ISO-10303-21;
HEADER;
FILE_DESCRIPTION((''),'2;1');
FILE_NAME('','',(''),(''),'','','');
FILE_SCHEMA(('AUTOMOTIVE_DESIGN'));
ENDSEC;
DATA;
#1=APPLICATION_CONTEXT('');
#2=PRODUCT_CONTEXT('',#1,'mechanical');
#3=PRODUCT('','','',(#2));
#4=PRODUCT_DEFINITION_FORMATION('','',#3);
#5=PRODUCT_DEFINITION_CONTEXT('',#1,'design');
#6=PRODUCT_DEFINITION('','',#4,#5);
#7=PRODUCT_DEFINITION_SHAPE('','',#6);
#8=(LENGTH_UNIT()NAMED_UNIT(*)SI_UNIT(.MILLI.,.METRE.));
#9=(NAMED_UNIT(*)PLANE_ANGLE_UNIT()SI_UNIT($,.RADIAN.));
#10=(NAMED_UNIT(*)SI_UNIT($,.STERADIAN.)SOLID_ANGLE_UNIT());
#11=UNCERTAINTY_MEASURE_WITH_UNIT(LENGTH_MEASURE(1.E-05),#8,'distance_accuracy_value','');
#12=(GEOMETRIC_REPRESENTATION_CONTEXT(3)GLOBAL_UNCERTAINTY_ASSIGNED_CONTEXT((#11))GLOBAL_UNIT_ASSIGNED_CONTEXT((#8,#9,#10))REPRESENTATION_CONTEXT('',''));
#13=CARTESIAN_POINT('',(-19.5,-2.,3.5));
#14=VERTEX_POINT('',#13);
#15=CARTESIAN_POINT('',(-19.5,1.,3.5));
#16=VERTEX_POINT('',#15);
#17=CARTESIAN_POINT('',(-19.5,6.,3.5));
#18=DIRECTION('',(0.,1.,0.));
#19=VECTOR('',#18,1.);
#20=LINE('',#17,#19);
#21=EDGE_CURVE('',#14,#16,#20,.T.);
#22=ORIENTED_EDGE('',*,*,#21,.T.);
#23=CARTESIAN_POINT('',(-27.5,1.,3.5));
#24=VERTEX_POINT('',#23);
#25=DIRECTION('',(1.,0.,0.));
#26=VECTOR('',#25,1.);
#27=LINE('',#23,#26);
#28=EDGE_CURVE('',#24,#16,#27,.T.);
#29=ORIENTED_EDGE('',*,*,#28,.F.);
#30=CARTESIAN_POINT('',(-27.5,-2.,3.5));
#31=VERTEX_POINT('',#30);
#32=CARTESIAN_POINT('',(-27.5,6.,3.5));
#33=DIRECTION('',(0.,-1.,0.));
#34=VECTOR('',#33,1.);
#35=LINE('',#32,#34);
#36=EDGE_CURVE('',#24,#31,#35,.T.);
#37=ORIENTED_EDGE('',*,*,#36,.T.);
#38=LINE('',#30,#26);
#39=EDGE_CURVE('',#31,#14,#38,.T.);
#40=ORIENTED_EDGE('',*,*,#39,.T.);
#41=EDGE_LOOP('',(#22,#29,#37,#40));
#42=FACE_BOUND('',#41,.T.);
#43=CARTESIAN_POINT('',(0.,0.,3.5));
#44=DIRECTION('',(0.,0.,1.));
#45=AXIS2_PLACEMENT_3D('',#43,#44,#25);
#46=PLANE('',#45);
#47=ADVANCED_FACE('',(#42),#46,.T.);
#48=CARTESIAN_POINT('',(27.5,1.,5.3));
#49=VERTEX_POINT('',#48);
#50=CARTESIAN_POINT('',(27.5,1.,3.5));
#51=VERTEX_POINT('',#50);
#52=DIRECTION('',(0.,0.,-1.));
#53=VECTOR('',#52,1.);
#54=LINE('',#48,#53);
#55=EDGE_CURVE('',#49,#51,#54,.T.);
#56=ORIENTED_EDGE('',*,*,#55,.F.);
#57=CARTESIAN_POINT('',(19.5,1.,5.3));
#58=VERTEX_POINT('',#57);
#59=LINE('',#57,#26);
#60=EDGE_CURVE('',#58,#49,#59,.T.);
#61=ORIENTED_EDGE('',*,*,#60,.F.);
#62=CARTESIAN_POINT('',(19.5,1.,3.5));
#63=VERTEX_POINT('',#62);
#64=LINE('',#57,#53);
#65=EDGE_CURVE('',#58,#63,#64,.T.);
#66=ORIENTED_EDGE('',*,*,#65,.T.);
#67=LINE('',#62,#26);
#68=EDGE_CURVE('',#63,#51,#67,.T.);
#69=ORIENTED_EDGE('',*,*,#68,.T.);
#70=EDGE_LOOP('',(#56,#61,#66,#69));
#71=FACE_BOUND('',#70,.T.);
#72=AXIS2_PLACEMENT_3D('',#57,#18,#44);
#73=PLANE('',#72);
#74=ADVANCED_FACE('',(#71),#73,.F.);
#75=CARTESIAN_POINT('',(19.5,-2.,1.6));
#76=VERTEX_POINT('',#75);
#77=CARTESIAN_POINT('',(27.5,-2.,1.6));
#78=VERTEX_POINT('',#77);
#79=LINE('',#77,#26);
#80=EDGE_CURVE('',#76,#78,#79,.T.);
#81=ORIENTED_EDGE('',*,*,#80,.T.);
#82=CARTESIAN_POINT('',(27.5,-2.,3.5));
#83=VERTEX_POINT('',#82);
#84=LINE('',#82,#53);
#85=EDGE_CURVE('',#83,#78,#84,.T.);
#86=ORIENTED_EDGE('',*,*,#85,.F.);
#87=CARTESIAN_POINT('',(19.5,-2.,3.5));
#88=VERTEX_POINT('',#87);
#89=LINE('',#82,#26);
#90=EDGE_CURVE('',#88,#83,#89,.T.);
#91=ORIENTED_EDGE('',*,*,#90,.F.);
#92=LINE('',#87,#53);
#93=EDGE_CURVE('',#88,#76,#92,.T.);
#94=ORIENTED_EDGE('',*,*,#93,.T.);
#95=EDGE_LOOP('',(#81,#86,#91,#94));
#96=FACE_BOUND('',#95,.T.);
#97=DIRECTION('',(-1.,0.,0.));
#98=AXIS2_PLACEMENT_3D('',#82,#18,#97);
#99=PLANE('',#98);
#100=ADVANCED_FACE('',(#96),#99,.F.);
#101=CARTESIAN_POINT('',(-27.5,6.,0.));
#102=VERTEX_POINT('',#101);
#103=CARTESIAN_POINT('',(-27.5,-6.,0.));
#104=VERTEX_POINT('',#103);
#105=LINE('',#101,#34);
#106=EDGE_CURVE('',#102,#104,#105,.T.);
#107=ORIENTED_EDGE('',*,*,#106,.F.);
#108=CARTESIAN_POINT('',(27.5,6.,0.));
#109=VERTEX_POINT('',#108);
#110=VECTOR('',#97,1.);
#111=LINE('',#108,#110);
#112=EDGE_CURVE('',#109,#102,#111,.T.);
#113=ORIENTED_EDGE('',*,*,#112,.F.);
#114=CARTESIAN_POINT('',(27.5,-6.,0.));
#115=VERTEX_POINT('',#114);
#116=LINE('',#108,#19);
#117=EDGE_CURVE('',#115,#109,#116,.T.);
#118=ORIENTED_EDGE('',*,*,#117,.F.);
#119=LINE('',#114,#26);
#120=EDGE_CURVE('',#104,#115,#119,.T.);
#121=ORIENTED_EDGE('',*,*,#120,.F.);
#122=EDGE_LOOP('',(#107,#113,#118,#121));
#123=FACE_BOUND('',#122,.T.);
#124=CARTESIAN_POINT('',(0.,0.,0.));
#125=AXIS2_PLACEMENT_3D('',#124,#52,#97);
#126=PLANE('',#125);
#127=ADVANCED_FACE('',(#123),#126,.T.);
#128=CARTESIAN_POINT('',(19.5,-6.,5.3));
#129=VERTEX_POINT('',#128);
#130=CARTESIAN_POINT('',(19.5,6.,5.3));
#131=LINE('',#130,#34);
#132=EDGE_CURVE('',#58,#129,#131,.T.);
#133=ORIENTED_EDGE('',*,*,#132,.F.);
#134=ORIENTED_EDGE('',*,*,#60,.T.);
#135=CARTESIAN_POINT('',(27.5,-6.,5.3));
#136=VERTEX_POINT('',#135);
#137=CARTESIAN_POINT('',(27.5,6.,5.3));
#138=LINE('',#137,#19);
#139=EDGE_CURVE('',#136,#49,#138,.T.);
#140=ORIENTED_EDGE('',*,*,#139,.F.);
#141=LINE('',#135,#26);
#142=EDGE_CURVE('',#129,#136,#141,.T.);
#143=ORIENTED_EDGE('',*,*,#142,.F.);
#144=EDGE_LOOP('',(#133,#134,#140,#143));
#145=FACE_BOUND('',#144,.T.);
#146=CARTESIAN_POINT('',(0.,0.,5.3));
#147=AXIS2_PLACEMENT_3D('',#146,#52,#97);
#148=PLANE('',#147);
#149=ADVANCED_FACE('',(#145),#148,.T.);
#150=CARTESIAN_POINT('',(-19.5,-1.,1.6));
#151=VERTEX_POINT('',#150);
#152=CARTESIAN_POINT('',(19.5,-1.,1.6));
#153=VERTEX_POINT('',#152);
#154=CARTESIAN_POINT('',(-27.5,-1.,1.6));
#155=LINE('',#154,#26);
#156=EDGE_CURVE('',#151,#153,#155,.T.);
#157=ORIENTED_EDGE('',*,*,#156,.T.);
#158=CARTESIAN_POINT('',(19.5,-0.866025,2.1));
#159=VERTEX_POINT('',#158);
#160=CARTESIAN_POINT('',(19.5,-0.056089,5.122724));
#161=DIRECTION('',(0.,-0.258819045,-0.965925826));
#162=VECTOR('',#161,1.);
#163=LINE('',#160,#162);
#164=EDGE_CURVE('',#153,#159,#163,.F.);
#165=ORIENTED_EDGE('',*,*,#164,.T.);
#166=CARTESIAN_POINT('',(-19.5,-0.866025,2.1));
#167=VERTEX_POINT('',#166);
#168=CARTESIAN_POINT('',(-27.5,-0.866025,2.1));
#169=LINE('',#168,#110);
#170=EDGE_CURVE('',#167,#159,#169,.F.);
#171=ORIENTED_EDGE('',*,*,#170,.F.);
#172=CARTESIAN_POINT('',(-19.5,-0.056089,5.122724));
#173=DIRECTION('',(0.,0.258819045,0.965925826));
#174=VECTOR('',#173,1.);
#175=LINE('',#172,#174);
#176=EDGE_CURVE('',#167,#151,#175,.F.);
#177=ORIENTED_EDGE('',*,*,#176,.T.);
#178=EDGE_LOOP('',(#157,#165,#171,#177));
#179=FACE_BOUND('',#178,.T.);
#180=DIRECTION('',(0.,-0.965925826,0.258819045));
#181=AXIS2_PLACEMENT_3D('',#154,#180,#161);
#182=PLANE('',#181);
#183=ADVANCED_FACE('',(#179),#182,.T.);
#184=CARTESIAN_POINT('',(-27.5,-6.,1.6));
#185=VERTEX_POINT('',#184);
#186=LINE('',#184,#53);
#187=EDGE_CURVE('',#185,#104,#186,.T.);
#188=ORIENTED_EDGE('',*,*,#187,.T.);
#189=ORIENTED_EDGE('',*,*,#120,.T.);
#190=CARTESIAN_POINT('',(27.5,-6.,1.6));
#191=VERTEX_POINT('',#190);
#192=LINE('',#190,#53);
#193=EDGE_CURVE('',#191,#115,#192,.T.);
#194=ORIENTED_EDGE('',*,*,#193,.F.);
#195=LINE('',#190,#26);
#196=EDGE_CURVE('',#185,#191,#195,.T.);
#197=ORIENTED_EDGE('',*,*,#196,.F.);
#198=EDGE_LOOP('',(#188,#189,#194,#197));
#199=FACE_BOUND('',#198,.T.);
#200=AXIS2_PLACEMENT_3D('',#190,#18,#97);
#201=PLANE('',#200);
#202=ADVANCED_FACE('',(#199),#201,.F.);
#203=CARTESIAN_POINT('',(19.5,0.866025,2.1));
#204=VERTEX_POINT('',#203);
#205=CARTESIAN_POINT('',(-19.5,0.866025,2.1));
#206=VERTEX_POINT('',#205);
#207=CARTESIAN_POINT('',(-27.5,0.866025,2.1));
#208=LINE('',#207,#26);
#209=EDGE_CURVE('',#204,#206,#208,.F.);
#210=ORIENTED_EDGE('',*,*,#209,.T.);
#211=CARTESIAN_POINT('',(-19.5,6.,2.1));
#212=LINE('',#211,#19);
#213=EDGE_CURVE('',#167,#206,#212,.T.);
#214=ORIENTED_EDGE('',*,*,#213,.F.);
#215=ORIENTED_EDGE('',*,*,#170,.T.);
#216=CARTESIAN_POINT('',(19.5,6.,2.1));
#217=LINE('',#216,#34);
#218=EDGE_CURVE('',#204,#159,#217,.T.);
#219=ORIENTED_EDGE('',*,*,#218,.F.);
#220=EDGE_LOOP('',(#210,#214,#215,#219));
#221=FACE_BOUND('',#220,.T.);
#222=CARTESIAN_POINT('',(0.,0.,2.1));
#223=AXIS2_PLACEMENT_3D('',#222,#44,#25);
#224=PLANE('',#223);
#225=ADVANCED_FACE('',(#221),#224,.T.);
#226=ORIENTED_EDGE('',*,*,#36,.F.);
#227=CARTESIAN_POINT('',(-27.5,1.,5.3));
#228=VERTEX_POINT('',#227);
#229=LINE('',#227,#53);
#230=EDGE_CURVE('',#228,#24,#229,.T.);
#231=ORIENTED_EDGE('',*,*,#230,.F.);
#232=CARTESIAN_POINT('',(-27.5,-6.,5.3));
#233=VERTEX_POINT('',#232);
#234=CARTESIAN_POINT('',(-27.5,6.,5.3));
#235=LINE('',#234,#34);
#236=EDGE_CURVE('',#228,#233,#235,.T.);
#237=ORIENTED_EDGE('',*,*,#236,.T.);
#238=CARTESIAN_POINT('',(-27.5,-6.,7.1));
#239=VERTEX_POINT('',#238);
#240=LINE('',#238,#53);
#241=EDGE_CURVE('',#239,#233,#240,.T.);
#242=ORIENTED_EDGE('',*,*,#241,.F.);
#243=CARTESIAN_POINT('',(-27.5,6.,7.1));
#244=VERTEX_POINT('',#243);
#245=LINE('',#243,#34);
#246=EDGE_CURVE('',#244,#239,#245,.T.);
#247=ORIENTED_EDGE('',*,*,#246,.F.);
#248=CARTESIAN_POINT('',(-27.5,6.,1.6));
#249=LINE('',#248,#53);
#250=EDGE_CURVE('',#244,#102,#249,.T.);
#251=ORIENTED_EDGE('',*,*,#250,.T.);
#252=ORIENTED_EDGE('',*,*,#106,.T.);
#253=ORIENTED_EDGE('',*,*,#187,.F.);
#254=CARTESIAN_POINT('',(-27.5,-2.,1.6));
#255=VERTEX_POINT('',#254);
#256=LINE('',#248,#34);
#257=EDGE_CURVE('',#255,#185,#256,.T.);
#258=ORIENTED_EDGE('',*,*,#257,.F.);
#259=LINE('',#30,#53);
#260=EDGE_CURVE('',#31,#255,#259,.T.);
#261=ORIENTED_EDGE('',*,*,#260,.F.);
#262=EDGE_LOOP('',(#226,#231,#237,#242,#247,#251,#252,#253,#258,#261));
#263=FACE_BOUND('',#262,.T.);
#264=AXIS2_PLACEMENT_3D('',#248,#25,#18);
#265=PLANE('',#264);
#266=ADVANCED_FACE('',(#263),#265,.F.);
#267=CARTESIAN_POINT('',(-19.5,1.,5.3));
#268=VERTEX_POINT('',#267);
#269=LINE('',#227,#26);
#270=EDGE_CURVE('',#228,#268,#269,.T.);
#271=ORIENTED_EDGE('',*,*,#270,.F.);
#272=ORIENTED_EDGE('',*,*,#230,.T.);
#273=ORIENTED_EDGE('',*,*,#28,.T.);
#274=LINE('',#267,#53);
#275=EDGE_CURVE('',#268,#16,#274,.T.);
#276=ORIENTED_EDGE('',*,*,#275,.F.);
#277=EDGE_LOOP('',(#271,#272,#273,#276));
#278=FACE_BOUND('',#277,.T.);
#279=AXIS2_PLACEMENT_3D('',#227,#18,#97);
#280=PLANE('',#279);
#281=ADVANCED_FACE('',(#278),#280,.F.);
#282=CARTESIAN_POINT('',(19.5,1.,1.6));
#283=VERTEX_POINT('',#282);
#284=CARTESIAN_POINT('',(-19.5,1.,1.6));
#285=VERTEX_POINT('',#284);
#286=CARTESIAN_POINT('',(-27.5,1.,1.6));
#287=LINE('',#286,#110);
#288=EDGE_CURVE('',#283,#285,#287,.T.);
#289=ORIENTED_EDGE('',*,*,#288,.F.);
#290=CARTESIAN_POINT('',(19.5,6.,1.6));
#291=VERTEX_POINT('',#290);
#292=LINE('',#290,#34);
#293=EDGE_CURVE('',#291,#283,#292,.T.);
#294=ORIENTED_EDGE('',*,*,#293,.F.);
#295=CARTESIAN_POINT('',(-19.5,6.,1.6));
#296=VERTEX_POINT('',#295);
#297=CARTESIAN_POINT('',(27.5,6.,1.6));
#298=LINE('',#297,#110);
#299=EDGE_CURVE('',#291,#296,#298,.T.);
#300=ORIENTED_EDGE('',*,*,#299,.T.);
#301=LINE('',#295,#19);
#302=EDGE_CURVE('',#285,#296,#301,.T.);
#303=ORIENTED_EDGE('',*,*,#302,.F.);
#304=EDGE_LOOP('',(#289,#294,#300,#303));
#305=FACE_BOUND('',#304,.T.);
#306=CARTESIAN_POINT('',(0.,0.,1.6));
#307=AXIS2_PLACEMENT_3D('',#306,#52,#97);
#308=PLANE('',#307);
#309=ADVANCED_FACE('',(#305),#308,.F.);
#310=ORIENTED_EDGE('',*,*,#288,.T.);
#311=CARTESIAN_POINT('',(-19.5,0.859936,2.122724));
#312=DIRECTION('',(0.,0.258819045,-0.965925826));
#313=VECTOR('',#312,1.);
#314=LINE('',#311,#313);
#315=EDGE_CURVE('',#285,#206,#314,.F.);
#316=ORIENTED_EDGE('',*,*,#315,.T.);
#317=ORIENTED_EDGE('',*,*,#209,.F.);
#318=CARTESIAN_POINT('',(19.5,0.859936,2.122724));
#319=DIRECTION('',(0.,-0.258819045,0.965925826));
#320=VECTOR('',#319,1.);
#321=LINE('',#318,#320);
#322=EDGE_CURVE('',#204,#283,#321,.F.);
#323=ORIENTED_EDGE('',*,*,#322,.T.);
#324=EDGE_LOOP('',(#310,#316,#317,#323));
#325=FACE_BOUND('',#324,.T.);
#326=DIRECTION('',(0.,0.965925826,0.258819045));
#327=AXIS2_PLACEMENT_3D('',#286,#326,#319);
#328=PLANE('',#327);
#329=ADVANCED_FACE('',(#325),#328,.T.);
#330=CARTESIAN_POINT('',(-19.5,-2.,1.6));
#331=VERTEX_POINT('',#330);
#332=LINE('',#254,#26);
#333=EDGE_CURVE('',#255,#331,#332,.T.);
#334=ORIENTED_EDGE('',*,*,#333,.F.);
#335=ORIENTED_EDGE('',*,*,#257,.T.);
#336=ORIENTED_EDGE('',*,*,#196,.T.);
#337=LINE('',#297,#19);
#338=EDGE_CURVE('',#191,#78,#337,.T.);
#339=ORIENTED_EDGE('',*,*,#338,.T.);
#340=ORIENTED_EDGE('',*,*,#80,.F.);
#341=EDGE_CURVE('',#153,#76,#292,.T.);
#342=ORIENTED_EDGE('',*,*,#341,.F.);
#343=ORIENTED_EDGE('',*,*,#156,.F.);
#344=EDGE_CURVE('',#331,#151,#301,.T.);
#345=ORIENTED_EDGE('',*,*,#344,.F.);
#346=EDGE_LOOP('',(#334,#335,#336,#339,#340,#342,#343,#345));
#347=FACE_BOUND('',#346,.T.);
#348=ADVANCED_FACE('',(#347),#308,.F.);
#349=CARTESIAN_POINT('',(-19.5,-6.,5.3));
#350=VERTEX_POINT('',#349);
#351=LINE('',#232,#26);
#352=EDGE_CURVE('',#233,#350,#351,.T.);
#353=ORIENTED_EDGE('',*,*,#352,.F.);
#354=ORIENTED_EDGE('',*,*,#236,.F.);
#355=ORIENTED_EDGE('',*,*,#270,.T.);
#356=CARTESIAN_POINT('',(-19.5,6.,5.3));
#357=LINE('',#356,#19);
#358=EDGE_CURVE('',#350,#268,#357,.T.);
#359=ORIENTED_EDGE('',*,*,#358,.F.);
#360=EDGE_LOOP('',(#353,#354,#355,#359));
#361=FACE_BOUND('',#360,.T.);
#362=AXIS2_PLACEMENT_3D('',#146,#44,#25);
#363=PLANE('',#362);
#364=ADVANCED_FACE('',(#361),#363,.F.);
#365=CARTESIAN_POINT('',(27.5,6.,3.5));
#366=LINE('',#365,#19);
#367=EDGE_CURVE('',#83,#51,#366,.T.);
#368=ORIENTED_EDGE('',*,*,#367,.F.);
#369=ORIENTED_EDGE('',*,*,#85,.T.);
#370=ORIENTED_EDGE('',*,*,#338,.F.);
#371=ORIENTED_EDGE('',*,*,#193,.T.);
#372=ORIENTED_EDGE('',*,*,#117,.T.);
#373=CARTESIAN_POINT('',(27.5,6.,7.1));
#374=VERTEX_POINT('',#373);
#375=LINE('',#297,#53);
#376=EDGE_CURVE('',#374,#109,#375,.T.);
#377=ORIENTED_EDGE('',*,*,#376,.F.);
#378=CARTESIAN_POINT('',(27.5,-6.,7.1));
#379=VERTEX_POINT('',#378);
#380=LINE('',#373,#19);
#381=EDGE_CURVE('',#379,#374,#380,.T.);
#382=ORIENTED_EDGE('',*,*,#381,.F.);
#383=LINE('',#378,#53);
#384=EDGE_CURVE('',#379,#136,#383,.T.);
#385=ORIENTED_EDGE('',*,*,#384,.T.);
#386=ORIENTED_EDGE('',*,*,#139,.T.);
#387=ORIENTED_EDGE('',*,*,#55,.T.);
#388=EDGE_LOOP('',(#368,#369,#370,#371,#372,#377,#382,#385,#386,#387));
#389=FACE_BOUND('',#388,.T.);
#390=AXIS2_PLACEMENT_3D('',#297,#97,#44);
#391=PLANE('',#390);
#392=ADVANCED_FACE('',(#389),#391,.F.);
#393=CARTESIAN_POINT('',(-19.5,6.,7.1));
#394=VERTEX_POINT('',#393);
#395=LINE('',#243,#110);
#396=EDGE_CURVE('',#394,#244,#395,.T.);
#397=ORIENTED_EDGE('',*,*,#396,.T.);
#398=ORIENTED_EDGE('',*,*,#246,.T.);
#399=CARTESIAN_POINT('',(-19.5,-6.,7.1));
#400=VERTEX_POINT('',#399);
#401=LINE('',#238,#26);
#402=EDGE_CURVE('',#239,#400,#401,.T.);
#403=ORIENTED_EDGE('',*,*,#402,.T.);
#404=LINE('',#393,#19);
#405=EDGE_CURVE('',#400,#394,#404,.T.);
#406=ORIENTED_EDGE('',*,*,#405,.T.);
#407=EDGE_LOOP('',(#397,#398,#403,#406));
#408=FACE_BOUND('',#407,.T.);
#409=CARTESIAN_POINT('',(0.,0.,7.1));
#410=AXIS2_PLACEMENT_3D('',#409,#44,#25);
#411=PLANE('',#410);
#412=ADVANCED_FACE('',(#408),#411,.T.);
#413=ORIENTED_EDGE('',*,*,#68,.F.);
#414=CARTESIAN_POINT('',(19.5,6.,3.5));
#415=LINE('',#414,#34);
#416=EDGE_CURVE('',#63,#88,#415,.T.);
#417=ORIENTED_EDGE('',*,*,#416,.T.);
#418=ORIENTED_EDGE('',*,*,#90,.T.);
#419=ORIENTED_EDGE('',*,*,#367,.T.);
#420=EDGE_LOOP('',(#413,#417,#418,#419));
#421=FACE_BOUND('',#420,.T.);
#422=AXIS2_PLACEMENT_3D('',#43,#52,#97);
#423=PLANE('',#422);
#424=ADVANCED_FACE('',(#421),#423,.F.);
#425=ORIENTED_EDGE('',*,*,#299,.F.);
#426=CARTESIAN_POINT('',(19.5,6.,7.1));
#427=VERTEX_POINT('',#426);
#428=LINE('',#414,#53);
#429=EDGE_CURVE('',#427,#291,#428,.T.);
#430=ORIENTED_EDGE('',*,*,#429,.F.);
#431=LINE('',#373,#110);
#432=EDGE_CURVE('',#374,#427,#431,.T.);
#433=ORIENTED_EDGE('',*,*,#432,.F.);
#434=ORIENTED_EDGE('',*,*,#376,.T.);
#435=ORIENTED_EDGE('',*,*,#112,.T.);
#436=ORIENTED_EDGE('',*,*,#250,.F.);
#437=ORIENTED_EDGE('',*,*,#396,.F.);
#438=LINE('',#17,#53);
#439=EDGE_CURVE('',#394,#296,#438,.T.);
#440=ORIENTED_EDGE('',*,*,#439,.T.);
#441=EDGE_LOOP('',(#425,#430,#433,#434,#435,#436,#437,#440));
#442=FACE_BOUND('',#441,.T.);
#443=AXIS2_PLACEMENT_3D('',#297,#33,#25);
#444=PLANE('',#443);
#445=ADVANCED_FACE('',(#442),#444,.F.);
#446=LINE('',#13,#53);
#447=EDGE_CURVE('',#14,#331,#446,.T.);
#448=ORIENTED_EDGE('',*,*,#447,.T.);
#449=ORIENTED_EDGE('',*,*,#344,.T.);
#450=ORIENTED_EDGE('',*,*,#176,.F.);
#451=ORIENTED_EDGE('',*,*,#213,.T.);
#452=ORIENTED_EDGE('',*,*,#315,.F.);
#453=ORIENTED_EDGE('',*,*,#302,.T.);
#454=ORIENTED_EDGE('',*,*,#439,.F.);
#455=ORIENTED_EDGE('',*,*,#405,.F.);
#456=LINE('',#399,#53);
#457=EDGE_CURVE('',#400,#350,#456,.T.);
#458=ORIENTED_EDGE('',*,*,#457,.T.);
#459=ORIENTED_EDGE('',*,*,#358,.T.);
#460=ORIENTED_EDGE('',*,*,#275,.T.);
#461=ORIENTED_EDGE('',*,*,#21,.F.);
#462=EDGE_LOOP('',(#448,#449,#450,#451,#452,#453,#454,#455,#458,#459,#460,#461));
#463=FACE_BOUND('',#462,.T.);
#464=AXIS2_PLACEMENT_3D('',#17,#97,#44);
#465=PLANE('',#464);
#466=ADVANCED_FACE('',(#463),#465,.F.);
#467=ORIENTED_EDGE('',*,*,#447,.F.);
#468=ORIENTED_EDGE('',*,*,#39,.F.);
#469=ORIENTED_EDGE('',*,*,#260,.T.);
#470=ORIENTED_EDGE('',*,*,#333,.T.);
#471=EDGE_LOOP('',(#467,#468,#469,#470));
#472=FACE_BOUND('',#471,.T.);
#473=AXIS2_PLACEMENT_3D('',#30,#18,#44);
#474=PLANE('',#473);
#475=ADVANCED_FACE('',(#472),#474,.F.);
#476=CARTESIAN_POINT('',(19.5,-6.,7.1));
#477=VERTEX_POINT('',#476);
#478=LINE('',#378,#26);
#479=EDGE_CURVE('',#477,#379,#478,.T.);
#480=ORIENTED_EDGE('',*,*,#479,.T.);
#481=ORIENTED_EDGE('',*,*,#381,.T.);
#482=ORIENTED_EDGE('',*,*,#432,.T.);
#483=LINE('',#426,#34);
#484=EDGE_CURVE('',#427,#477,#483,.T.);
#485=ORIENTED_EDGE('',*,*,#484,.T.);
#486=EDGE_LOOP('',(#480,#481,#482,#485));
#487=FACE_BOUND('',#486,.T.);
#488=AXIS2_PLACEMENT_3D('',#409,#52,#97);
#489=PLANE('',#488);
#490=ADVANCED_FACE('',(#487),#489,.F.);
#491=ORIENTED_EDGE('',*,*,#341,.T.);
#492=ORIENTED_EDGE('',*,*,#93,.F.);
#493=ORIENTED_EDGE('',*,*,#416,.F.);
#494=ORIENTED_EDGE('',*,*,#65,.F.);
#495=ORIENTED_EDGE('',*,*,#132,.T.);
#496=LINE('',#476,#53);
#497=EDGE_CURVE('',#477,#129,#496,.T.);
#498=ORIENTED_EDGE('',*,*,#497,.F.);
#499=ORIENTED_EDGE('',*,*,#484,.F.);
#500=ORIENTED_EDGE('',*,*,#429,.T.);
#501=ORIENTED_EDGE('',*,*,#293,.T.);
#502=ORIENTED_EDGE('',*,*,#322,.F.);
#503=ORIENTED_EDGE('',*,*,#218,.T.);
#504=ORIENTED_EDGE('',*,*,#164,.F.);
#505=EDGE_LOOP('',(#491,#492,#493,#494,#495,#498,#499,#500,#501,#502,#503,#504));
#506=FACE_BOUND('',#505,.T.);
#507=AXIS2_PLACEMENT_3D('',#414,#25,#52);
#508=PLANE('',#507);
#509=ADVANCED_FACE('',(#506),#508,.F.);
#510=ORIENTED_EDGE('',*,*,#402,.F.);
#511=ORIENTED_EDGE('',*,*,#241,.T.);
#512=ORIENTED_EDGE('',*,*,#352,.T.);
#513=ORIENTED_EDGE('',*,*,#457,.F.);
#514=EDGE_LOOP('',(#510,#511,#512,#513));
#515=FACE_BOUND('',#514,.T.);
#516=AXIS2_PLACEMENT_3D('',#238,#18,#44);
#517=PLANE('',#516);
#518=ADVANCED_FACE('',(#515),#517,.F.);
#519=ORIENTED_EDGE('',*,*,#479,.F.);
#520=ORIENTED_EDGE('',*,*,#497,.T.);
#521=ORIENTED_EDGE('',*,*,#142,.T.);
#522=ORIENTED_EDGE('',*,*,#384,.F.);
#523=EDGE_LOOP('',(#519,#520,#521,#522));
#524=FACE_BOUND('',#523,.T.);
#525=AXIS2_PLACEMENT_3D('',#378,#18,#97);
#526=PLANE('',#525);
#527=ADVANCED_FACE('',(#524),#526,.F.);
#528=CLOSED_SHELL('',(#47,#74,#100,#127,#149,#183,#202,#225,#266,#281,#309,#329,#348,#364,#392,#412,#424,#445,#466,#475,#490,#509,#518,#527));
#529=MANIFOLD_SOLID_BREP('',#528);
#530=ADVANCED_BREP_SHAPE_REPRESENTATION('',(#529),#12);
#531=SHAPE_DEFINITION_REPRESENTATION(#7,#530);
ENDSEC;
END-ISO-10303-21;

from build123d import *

# Parameters (mm, degrees)
SKETCH1_W           = 55
SKETCH1_H           = 12
BOSS_EXTRUDE1_DEPTH = 1.6
SKETCH2_W           = 8
SKETCH2_H           = 8
BOSS_EXTRUDE2_DEPTH = 1.9
SKETCH3_W           = 8
SKETCH3_H           = 5
BOSS_EXTRUDE3_DEPTH = 1.8
SKETCH4_W           = 8
SKETCH4_H           = 12
BOSS_EXTRUDE6_DEPTH = 1.8
SKETCH6_W           = 55
SKETCH6_H           = 2
BOSS_EXTRUDE7_DEPTH = 0.5
BOSS_EXTRUDE7_TAPER = 15


with BuildPart() as part:
    # Sketch1 → Boss-Extrude1 (new body)
    with BuildSketch(Plane.XY):
        Rectangle(SKETCH1_W, SKETCH1_H)
    extrude(amount=BOSS_EXTRUDE1_DEPTH)

    # Sketch2 → Boss-Extrude2 (add)
    with BuildSketch(Plane.XY.offset(1.6)):
        with Locations((-23.5, 2)):
            Rectangle(SKETCH2_W, SKETCH2_H)
        with Locations((23.5, 2)):
            Rectangle(SKETCH2_W, SKETCH2_H)
    extrude(amount=BOSS_EXTRUDE2_DEPTH)

    # Sketch3 → Boss-Extrude3 (add)
    with BuildSketch(Plane.XY.offset(3.5)):
        with Locations((-23.5, 3.5)):
            Rectangle(SKETCH3_W, SKETCH3_H)
        with Locations((23.5, 3.5)):
            Rectangle(SKETCH3_W, SKETCH3_H)
    extrude(amount=BOSS_EXTRUDE3_DEPTH)

    # Sketch4 → Boss-Extrude6 (add)
    with BuildSketch(Plane.XY.offset(5.3)):
        with Locations((-23.5, 0)):
            Rectangle(SKETCH4_W, SKETCH4_H)
        with Locations((23.5, 0)):
            Rectangle(SKETCH4_W, SKETCH4_H)
    extrude(amount=BOSS_EXTRUDE6_DEPTH)

    # Sketch6 → Boss-Extrude7 (add)
    with BuildSketch(Plane.XY.offset(1.6)):
        Rectangle(SKETCH6_W, SKETCH6_H)
    extrude(amount=BOSS_EXTRUDE7_DEPTH, taper=BOSS_EXTRUDE7_TAPER)


solid = part.part
